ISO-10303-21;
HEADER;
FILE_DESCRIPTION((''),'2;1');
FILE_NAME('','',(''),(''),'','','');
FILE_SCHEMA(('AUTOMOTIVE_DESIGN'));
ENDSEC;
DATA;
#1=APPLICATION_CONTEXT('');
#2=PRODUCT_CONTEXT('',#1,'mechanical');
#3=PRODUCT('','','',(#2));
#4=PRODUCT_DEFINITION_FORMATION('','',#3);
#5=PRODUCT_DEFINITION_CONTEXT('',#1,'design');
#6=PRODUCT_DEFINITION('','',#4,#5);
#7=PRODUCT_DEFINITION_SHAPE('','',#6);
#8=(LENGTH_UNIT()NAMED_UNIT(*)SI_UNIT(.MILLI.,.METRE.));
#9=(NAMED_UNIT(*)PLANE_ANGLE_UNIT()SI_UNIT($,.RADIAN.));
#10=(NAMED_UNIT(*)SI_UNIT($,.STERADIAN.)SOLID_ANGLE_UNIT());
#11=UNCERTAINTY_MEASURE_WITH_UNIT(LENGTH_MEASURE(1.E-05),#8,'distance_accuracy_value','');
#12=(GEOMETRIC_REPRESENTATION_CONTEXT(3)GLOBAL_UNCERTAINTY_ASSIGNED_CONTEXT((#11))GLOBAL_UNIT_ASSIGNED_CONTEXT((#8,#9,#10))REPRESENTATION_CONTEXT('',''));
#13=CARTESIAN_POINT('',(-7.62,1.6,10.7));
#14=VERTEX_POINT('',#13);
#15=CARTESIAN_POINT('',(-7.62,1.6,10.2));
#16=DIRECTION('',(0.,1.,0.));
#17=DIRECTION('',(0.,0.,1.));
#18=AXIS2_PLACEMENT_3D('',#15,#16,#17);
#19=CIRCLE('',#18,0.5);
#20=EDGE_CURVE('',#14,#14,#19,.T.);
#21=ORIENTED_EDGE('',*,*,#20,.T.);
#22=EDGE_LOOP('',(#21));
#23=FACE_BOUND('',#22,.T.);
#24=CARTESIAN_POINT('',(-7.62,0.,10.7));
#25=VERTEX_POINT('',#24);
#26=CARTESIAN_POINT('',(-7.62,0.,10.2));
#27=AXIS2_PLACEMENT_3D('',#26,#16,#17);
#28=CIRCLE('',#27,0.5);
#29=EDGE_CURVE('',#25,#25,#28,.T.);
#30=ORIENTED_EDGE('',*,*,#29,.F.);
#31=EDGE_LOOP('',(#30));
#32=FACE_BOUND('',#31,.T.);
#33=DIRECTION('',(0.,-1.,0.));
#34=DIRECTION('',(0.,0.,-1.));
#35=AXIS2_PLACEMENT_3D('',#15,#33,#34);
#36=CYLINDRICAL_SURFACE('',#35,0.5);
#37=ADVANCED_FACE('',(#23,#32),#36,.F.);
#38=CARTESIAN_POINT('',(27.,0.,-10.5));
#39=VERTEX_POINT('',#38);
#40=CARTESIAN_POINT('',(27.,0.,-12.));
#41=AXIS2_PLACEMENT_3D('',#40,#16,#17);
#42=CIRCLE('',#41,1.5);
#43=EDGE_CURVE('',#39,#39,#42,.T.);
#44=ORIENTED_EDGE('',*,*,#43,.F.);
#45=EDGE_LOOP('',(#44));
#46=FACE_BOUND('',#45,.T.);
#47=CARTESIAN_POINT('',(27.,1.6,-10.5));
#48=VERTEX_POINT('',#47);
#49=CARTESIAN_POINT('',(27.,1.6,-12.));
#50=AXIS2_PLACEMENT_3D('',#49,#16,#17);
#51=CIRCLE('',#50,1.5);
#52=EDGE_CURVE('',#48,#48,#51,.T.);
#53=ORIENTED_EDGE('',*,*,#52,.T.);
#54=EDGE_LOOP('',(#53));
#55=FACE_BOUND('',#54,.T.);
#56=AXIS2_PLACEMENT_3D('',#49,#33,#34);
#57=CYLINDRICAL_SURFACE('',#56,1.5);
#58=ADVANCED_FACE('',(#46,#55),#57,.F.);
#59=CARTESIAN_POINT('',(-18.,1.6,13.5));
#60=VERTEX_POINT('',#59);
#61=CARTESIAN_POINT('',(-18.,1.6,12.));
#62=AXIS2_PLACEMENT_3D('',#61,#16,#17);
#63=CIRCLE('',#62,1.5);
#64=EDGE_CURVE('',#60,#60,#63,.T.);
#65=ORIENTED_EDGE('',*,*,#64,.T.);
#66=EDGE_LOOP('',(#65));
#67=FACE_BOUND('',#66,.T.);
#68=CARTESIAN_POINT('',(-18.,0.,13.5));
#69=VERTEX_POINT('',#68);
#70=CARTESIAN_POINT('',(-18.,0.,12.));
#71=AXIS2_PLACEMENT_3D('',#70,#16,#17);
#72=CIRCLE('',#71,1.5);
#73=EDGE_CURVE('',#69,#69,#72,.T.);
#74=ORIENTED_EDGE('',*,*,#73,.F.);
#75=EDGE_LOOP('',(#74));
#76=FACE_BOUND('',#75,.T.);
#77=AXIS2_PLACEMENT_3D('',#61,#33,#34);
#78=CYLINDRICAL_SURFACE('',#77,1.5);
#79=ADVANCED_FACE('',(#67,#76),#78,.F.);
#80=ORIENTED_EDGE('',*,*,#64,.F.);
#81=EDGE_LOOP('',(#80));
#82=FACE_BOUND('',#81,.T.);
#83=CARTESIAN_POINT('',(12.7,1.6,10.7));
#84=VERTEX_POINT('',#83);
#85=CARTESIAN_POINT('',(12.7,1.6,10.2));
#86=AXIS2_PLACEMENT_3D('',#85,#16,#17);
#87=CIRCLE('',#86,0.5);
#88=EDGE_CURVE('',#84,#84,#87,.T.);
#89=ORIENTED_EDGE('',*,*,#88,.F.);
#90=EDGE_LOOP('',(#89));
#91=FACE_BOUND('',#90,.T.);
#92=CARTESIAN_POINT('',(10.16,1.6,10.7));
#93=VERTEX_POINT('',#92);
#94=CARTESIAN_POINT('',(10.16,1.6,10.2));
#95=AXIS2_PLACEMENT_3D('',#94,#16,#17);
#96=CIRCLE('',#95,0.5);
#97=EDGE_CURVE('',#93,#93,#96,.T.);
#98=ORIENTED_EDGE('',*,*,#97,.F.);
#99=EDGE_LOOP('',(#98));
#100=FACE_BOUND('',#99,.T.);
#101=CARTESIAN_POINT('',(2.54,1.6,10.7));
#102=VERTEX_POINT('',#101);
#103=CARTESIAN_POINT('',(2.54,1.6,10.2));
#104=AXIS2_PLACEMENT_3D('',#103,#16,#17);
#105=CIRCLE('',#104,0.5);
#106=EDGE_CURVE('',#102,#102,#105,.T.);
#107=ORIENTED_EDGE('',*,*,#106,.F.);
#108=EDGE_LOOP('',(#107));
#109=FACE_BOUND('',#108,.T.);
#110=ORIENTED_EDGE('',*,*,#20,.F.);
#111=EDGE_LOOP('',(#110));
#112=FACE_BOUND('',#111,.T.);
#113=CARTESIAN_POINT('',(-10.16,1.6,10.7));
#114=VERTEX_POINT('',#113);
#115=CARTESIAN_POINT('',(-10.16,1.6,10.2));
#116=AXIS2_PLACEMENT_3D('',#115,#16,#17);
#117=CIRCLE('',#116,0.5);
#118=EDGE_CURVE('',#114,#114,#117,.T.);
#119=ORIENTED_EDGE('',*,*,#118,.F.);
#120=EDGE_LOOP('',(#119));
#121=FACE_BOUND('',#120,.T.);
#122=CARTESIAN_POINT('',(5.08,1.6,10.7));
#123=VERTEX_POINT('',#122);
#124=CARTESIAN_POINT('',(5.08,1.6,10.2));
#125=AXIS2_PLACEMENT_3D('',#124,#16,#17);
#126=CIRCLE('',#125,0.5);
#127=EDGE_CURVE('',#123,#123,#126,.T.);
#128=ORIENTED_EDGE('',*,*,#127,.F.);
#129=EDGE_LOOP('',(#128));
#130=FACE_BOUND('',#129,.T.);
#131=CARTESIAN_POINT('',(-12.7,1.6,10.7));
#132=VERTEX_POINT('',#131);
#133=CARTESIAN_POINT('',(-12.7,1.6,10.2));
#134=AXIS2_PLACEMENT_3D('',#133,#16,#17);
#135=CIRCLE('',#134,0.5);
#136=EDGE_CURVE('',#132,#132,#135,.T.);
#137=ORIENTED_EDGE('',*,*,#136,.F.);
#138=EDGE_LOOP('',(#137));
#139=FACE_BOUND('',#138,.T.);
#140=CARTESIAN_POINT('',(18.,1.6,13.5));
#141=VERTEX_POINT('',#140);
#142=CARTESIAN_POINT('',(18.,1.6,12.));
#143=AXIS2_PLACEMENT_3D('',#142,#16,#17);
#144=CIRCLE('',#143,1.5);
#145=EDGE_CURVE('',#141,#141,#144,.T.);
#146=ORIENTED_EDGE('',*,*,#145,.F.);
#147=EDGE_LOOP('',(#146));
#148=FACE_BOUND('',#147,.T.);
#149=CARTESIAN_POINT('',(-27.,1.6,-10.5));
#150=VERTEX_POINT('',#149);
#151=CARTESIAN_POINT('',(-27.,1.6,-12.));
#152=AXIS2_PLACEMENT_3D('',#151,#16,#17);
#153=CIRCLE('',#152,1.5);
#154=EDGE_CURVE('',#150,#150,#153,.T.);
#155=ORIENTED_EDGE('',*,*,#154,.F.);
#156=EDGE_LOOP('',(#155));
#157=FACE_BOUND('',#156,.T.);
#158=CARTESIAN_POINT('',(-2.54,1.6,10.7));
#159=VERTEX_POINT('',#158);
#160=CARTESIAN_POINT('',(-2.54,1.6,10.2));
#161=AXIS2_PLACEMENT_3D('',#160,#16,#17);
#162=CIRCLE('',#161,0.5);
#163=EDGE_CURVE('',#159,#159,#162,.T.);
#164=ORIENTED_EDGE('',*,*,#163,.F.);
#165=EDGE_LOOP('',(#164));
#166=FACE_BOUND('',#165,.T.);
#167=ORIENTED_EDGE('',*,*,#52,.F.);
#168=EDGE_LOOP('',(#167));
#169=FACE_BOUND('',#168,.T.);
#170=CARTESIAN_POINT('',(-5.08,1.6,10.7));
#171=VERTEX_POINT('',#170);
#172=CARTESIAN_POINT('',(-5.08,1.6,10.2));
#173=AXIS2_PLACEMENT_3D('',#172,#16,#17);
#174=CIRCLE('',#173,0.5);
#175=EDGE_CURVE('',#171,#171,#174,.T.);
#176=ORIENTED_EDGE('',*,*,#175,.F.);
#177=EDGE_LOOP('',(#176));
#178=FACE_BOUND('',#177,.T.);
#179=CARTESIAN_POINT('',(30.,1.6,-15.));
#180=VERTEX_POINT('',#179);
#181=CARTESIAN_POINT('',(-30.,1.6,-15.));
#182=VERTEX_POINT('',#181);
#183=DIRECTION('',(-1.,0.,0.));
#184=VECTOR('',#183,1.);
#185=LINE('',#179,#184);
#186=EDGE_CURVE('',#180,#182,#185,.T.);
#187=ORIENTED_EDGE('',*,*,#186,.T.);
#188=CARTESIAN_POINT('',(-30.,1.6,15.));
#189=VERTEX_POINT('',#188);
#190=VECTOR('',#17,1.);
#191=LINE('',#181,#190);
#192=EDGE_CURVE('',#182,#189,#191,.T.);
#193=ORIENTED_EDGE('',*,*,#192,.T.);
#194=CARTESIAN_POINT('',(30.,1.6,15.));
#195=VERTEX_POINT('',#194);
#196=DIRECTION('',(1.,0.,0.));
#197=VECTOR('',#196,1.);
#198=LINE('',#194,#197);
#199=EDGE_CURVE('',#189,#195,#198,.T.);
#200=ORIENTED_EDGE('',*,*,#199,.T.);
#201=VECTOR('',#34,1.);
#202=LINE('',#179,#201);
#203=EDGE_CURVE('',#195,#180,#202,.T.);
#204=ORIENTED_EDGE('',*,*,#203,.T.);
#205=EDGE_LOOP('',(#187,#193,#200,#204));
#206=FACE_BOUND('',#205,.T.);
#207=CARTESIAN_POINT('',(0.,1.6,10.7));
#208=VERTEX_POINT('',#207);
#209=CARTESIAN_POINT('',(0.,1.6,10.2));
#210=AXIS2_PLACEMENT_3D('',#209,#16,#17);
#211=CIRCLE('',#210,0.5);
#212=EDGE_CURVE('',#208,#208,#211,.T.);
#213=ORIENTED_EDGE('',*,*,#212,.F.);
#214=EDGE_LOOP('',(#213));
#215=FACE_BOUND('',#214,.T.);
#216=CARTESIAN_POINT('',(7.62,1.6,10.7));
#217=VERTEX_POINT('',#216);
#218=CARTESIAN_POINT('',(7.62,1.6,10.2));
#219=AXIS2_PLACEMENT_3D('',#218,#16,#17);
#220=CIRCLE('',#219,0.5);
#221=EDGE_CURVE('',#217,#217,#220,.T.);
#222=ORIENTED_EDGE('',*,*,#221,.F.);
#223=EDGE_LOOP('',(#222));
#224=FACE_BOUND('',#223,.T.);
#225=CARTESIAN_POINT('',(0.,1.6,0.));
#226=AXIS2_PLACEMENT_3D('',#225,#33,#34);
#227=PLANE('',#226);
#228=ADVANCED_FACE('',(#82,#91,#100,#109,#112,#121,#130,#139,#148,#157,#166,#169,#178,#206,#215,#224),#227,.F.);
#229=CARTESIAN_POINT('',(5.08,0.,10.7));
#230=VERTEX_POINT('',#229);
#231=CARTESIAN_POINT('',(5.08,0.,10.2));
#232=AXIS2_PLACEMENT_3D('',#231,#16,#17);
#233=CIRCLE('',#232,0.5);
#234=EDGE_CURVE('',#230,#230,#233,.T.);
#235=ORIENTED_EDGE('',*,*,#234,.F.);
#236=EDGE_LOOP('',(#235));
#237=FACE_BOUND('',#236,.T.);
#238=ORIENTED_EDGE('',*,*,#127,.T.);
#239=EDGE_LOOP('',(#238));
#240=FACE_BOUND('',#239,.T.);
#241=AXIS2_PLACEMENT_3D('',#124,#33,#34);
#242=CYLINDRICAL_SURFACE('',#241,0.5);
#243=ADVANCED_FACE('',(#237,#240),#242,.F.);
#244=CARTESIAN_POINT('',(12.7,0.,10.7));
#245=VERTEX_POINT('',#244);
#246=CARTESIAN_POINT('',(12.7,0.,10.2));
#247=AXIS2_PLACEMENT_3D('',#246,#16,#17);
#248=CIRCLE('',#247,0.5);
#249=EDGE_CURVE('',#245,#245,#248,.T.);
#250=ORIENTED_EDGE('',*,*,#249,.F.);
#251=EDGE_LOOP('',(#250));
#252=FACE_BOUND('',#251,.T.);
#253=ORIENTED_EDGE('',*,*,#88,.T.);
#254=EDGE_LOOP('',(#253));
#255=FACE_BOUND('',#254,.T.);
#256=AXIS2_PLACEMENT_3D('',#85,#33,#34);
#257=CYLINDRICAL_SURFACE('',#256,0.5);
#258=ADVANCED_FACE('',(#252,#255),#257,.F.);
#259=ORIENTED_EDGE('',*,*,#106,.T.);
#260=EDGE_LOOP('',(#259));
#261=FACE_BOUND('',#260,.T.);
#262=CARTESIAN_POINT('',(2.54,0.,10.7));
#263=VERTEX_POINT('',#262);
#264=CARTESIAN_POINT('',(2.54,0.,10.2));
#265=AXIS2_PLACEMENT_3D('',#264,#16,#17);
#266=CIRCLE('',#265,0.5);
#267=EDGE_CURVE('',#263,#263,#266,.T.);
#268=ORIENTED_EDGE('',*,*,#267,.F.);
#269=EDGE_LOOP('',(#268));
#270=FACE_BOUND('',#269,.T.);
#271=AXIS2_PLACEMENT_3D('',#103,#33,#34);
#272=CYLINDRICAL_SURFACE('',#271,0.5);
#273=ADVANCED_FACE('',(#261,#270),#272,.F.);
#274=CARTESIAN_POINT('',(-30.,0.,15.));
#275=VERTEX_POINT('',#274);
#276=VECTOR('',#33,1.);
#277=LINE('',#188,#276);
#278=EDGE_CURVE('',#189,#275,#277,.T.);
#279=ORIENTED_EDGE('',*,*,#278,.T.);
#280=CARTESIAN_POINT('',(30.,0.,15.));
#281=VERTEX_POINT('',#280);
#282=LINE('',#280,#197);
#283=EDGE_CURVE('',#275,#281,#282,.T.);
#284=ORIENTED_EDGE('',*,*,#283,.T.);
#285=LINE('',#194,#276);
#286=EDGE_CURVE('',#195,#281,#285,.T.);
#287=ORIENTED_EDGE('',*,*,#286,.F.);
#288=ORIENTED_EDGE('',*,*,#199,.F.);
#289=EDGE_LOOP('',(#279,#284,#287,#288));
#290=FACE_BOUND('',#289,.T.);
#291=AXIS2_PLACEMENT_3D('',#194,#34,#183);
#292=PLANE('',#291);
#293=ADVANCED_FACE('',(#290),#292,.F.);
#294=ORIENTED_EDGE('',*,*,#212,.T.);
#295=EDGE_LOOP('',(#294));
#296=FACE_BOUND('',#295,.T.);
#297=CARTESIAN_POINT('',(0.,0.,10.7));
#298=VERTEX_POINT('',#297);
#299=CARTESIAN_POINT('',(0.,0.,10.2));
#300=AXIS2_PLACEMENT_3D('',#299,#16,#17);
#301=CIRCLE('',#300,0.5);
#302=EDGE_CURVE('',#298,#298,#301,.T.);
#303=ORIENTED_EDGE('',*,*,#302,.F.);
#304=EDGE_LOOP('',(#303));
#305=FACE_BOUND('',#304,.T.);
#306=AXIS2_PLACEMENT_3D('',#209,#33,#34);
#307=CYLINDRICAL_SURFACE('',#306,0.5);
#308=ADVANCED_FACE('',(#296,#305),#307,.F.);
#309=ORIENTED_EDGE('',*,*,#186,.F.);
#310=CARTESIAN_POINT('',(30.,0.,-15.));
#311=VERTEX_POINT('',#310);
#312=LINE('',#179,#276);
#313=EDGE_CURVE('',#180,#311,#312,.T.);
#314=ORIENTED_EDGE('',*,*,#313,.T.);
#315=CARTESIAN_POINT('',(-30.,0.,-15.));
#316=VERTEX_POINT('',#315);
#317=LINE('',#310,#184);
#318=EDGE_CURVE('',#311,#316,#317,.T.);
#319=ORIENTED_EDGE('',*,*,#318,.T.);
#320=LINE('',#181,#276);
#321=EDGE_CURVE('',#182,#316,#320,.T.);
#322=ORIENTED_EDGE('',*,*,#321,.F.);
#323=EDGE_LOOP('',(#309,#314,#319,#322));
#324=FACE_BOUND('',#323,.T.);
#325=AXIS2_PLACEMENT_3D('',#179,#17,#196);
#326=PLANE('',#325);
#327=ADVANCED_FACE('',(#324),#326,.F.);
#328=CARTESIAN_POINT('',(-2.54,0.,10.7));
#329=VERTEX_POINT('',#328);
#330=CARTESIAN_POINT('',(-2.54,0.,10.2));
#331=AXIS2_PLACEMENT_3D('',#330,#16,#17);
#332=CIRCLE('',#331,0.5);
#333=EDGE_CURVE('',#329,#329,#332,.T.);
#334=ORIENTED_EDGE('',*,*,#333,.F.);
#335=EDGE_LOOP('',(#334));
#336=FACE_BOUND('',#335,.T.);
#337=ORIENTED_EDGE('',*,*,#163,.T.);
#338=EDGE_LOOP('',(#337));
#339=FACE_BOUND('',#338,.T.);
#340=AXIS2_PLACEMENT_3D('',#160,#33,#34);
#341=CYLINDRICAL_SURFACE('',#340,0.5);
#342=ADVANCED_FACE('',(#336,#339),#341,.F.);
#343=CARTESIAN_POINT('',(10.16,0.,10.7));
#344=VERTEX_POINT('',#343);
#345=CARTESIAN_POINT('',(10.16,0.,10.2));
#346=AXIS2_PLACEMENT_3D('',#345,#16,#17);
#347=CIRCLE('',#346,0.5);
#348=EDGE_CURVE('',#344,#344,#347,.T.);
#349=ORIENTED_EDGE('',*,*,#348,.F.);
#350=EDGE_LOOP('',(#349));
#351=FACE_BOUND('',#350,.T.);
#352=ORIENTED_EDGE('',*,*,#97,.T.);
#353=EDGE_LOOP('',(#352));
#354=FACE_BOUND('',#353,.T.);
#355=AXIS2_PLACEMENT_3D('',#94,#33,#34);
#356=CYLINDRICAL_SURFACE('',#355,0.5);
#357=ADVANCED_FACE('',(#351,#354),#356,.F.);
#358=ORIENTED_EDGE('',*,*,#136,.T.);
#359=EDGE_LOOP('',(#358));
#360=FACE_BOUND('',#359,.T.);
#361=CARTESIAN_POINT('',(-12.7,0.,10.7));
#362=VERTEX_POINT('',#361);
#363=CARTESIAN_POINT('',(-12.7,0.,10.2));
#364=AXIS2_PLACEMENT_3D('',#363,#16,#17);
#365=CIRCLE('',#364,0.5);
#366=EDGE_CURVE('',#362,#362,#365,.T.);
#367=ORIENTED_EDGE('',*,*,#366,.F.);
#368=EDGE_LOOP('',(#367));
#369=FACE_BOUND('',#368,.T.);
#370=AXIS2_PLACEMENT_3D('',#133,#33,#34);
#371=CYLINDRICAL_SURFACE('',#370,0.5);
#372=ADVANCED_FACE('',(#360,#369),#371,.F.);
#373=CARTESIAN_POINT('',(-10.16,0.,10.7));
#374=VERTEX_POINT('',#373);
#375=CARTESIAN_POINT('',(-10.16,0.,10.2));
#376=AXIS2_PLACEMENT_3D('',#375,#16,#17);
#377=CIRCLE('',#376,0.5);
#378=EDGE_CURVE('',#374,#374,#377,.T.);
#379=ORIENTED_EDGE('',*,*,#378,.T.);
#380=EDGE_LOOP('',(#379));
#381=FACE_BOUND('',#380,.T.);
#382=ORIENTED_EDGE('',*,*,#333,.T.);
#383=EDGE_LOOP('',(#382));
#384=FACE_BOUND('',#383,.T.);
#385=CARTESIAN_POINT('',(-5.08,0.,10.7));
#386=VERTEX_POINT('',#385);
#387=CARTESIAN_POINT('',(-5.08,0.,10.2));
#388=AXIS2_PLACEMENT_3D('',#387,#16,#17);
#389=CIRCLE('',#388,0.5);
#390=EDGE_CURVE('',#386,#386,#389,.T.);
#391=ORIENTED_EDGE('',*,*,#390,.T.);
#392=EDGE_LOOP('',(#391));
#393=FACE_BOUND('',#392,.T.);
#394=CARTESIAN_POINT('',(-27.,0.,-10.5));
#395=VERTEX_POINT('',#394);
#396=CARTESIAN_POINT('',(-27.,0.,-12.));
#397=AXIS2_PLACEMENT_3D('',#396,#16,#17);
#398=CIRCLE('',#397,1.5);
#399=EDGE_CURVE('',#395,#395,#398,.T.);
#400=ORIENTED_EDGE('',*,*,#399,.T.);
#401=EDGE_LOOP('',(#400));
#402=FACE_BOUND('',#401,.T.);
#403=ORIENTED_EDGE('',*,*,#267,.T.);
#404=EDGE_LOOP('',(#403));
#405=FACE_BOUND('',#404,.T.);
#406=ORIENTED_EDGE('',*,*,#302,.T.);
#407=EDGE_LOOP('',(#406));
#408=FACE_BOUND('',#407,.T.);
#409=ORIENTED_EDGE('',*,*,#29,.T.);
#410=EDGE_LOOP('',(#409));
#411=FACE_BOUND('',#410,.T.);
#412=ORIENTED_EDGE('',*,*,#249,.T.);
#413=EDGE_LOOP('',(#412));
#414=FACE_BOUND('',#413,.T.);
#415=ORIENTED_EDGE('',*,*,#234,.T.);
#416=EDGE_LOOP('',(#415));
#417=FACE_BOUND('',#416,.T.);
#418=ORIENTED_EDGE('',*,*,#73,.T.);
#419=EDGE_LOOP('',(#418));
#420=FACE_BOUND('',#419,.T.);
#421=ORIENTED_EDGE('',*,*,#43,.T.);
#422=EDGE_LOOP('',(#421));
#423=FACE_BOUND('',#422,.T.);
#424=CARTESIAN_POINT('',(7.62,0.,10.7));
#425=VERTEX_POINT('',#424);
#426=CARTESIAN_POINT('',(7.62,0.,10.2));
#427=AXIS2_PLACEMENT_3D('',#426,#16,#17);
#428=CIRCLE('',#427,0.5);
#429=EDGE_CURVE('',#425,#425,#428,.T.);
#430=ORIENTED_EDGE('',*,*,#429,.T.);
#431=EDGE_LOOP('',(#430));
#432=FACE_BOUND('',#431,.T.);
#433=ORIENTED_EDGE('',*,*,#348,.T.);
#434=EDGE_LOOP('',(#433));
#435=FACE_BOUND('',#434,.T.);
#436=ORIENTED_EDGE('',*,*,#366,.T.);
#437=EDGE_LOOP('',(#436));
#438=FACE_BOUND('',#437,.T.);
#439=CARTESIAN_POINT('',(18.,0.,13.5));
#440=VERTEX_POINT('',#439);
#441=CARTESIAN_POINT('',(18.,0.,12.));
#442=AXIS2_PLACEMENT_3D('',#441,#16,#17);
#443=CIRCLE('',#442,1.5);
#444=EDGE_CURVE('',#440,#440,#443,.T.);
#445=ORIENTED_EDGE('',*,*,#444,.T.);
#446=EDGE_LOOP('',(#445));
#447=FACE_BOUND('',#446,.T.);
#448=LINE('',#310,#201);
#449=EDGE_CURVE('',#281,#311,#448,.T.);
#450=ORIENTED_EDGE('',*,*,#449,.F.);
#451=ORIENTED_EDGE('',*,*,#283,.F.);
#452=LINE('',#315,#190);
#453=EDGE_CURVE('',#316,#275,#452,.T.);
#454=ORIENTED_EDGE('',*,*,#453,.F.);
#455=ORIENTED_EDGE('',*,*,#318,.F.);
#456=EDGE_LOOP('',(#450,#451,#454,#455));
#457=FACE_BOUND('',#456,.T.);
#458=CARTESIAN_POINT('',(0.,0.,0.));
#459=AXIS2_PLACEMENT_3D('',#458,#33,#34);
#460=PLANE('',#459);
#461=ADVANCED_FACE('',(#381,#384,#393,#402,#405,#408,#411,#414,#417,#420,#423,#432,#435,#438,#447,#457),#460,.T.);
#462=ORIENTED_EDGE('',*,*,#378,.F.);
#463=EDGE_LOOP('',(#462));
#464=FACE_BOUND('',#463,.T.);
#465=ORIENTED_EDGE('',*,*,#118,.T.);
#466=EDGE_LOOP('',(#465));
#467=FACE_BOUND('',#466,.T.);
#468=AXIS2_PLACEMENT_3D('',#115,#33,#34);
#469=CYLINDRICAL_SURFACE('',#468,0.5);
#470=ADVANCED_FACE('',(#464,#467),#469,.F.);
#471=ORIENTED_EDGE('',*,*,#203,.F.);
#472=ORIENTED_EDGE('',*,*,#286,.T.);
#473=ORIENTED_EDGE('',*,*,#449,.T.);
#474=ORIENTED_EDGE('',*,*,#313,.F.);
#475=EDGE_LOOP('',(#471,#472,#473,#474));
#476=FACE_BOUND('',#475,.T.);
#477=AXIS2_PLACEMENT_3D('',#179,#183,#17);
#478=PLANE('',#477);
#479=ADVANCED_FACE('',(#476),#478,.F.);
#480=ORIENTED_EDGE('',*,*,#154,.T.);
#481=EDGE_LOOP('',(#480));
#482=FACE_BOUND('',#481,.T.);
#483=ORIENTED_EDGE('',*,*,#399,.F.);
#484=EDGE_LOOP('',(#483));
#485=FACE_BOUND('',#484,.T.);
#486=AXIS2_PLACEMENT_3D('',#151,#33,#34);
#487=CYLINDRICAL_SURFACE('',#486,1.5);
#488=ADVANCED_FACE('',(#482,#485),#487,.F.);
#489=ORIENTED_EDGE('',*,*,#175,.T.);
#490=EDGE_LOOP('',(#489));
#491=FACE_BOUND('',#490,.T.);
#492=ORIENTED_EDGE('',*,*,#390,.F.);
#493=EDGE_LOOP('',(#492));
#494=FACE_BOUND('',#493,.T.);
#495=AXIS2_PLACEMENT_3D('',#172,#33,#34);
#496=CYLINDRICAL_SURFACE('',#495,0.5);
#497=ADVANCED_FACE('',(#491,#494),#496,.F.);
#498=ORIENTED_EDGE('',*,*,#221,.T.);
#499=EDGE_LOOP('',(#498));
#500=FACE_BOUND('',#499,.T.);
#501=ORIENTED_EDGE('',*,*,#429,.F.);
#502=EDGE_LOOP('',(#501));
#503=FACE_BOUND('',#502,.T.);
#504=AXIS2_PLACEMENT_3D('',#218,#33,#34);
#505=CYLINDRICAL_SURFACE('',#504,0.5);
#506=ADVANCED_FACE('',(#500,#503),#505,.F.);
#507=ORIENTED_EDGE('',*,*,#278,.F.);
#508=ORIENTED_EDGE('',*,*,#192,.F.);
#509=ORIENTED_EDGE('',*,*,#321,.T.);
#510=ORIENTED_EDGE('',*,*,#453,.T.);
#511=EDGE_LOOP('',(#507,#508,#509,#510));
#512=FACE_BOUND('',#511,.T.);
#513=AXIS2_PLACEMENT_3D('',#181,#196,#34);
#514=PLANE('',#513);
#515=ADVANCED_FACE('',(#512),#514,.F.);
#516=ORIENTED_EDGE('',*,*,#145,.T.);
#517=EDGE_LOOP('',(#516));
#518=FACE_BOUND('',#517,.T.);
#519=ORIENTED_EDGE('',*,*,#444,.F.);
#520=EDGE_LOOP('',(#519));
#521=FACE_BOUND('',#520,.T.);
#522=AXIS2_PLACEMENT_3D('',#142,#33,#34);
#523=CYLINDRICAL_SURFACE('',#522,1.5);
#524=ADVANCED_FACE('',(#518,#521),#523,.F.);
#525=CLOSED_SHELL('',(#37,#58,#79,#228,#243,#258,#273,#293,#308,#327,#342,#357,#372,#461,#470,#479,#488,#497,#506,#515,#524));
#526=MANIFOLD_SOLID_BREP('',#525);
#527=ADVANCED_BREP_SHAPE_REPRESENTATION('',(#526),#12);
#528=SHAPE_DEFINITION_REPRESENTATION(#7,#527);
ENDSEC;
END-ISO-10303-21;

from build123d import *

# Parameters (mm, degrees)
SKETCH1_W           = 60
SKETCH1_H           = 30
SKETCH1_R           = 1.5
SKETCH1_R_2         = 0.5
BOSS_EXTRUDE1_DEPTH = 1.6


with BuildPart() as part:
    # Sketch1 → Boss-Extrude1 (new body)
    with BuildSketch(Plane(origin=(0, 0, 0), x_dir=(1, 0, 0), z_dir=(0, 1, 0))):
        Rectangle(SKETCH1_W, SKETCH1_H)
        with Locations(Location((-27, 12, 0), (0, 0, 270))):
            Circle(SKETCH1_R, mode=Mode.SUBTRACT)
        with Locations(Location((-18, -12, 0), (0, 0, 270))):
            Circle(SKETCH1_R, mode=Mode.SUBTRACT)
        with Locations(Location((18, -12, 0), (0, 0, 270))):
            Circle(SKETCH1_R, mode=Mode.SUBTRACT)
        with Locations(Location((27, 12, 0), (0, 0, 270))):
            Circle(SKETCH1_R, mode=Mode.SUBTRACT)
        with Locations(Location((-12.7, -10.2, 0), (0, 0, 270))):
            Circle(SKETCH1_R_2, mode=Mode.SUBTRACT)
        with Locations(Location((-10.16, -10.2, 0), (0, 0, 270))):
            Circle(SKETCH1_R_2, mode=Mode.SUBTRACT)
        with Locations(Location((-7.62, -10.2, 0), (0, 0, 270))):
            Circle(SKETCH1_R_2, mode=Mode.SUBTRACT)
        with Locations(Location((-5.08, -10.2, 0), (0, 0, 270))):
            Circle(SKETCH1_R_2, mode=Mode.SUBTRACT)
        with Locations(Location((-2.54, -10.2, 0), (0, 0, 270))):
            Circle(SKETCH1_R_2, mode=Mode.SUBTRACT)
        with Locations(Location((0, -10.2, 0), (0, 0, 270))):
            Circle(SKETCH1_R_2, mode=Mode.SUBTRACT)
        with Locations(Location((2.54, -10.2, 0), (0, 0, 270))):
            Circle(SKETCH1_R_2, mode=Mode.SUBTRACT)
        with Locations(Location((5.08, -10.2, 0), (0, 0, 270))):
            Circle(SKETCH1_R_2, mode=Mode.SUBTRACT)
        with Locations(Location((7.62, -10.2, 0), (0, 0, 270))):
            Circle(SKETCH1_R_2, mode=Mode.SUBTRACT)
        with Locations(Location((10.16, -10.2, 0), (0, 0, 270))):
            Circle(SKETCH1_R_2, mode=Mode.SUBTRACT)
        with Locations(Location((12.7, -10.2, 0), (0, 0, 270))):
            Circle(SKETCH1_R_2, mode=Mode.SUBTRACT)
    extrude(amount=BOSS_EXTRUDE1_DEPTH)


solid = part.part
